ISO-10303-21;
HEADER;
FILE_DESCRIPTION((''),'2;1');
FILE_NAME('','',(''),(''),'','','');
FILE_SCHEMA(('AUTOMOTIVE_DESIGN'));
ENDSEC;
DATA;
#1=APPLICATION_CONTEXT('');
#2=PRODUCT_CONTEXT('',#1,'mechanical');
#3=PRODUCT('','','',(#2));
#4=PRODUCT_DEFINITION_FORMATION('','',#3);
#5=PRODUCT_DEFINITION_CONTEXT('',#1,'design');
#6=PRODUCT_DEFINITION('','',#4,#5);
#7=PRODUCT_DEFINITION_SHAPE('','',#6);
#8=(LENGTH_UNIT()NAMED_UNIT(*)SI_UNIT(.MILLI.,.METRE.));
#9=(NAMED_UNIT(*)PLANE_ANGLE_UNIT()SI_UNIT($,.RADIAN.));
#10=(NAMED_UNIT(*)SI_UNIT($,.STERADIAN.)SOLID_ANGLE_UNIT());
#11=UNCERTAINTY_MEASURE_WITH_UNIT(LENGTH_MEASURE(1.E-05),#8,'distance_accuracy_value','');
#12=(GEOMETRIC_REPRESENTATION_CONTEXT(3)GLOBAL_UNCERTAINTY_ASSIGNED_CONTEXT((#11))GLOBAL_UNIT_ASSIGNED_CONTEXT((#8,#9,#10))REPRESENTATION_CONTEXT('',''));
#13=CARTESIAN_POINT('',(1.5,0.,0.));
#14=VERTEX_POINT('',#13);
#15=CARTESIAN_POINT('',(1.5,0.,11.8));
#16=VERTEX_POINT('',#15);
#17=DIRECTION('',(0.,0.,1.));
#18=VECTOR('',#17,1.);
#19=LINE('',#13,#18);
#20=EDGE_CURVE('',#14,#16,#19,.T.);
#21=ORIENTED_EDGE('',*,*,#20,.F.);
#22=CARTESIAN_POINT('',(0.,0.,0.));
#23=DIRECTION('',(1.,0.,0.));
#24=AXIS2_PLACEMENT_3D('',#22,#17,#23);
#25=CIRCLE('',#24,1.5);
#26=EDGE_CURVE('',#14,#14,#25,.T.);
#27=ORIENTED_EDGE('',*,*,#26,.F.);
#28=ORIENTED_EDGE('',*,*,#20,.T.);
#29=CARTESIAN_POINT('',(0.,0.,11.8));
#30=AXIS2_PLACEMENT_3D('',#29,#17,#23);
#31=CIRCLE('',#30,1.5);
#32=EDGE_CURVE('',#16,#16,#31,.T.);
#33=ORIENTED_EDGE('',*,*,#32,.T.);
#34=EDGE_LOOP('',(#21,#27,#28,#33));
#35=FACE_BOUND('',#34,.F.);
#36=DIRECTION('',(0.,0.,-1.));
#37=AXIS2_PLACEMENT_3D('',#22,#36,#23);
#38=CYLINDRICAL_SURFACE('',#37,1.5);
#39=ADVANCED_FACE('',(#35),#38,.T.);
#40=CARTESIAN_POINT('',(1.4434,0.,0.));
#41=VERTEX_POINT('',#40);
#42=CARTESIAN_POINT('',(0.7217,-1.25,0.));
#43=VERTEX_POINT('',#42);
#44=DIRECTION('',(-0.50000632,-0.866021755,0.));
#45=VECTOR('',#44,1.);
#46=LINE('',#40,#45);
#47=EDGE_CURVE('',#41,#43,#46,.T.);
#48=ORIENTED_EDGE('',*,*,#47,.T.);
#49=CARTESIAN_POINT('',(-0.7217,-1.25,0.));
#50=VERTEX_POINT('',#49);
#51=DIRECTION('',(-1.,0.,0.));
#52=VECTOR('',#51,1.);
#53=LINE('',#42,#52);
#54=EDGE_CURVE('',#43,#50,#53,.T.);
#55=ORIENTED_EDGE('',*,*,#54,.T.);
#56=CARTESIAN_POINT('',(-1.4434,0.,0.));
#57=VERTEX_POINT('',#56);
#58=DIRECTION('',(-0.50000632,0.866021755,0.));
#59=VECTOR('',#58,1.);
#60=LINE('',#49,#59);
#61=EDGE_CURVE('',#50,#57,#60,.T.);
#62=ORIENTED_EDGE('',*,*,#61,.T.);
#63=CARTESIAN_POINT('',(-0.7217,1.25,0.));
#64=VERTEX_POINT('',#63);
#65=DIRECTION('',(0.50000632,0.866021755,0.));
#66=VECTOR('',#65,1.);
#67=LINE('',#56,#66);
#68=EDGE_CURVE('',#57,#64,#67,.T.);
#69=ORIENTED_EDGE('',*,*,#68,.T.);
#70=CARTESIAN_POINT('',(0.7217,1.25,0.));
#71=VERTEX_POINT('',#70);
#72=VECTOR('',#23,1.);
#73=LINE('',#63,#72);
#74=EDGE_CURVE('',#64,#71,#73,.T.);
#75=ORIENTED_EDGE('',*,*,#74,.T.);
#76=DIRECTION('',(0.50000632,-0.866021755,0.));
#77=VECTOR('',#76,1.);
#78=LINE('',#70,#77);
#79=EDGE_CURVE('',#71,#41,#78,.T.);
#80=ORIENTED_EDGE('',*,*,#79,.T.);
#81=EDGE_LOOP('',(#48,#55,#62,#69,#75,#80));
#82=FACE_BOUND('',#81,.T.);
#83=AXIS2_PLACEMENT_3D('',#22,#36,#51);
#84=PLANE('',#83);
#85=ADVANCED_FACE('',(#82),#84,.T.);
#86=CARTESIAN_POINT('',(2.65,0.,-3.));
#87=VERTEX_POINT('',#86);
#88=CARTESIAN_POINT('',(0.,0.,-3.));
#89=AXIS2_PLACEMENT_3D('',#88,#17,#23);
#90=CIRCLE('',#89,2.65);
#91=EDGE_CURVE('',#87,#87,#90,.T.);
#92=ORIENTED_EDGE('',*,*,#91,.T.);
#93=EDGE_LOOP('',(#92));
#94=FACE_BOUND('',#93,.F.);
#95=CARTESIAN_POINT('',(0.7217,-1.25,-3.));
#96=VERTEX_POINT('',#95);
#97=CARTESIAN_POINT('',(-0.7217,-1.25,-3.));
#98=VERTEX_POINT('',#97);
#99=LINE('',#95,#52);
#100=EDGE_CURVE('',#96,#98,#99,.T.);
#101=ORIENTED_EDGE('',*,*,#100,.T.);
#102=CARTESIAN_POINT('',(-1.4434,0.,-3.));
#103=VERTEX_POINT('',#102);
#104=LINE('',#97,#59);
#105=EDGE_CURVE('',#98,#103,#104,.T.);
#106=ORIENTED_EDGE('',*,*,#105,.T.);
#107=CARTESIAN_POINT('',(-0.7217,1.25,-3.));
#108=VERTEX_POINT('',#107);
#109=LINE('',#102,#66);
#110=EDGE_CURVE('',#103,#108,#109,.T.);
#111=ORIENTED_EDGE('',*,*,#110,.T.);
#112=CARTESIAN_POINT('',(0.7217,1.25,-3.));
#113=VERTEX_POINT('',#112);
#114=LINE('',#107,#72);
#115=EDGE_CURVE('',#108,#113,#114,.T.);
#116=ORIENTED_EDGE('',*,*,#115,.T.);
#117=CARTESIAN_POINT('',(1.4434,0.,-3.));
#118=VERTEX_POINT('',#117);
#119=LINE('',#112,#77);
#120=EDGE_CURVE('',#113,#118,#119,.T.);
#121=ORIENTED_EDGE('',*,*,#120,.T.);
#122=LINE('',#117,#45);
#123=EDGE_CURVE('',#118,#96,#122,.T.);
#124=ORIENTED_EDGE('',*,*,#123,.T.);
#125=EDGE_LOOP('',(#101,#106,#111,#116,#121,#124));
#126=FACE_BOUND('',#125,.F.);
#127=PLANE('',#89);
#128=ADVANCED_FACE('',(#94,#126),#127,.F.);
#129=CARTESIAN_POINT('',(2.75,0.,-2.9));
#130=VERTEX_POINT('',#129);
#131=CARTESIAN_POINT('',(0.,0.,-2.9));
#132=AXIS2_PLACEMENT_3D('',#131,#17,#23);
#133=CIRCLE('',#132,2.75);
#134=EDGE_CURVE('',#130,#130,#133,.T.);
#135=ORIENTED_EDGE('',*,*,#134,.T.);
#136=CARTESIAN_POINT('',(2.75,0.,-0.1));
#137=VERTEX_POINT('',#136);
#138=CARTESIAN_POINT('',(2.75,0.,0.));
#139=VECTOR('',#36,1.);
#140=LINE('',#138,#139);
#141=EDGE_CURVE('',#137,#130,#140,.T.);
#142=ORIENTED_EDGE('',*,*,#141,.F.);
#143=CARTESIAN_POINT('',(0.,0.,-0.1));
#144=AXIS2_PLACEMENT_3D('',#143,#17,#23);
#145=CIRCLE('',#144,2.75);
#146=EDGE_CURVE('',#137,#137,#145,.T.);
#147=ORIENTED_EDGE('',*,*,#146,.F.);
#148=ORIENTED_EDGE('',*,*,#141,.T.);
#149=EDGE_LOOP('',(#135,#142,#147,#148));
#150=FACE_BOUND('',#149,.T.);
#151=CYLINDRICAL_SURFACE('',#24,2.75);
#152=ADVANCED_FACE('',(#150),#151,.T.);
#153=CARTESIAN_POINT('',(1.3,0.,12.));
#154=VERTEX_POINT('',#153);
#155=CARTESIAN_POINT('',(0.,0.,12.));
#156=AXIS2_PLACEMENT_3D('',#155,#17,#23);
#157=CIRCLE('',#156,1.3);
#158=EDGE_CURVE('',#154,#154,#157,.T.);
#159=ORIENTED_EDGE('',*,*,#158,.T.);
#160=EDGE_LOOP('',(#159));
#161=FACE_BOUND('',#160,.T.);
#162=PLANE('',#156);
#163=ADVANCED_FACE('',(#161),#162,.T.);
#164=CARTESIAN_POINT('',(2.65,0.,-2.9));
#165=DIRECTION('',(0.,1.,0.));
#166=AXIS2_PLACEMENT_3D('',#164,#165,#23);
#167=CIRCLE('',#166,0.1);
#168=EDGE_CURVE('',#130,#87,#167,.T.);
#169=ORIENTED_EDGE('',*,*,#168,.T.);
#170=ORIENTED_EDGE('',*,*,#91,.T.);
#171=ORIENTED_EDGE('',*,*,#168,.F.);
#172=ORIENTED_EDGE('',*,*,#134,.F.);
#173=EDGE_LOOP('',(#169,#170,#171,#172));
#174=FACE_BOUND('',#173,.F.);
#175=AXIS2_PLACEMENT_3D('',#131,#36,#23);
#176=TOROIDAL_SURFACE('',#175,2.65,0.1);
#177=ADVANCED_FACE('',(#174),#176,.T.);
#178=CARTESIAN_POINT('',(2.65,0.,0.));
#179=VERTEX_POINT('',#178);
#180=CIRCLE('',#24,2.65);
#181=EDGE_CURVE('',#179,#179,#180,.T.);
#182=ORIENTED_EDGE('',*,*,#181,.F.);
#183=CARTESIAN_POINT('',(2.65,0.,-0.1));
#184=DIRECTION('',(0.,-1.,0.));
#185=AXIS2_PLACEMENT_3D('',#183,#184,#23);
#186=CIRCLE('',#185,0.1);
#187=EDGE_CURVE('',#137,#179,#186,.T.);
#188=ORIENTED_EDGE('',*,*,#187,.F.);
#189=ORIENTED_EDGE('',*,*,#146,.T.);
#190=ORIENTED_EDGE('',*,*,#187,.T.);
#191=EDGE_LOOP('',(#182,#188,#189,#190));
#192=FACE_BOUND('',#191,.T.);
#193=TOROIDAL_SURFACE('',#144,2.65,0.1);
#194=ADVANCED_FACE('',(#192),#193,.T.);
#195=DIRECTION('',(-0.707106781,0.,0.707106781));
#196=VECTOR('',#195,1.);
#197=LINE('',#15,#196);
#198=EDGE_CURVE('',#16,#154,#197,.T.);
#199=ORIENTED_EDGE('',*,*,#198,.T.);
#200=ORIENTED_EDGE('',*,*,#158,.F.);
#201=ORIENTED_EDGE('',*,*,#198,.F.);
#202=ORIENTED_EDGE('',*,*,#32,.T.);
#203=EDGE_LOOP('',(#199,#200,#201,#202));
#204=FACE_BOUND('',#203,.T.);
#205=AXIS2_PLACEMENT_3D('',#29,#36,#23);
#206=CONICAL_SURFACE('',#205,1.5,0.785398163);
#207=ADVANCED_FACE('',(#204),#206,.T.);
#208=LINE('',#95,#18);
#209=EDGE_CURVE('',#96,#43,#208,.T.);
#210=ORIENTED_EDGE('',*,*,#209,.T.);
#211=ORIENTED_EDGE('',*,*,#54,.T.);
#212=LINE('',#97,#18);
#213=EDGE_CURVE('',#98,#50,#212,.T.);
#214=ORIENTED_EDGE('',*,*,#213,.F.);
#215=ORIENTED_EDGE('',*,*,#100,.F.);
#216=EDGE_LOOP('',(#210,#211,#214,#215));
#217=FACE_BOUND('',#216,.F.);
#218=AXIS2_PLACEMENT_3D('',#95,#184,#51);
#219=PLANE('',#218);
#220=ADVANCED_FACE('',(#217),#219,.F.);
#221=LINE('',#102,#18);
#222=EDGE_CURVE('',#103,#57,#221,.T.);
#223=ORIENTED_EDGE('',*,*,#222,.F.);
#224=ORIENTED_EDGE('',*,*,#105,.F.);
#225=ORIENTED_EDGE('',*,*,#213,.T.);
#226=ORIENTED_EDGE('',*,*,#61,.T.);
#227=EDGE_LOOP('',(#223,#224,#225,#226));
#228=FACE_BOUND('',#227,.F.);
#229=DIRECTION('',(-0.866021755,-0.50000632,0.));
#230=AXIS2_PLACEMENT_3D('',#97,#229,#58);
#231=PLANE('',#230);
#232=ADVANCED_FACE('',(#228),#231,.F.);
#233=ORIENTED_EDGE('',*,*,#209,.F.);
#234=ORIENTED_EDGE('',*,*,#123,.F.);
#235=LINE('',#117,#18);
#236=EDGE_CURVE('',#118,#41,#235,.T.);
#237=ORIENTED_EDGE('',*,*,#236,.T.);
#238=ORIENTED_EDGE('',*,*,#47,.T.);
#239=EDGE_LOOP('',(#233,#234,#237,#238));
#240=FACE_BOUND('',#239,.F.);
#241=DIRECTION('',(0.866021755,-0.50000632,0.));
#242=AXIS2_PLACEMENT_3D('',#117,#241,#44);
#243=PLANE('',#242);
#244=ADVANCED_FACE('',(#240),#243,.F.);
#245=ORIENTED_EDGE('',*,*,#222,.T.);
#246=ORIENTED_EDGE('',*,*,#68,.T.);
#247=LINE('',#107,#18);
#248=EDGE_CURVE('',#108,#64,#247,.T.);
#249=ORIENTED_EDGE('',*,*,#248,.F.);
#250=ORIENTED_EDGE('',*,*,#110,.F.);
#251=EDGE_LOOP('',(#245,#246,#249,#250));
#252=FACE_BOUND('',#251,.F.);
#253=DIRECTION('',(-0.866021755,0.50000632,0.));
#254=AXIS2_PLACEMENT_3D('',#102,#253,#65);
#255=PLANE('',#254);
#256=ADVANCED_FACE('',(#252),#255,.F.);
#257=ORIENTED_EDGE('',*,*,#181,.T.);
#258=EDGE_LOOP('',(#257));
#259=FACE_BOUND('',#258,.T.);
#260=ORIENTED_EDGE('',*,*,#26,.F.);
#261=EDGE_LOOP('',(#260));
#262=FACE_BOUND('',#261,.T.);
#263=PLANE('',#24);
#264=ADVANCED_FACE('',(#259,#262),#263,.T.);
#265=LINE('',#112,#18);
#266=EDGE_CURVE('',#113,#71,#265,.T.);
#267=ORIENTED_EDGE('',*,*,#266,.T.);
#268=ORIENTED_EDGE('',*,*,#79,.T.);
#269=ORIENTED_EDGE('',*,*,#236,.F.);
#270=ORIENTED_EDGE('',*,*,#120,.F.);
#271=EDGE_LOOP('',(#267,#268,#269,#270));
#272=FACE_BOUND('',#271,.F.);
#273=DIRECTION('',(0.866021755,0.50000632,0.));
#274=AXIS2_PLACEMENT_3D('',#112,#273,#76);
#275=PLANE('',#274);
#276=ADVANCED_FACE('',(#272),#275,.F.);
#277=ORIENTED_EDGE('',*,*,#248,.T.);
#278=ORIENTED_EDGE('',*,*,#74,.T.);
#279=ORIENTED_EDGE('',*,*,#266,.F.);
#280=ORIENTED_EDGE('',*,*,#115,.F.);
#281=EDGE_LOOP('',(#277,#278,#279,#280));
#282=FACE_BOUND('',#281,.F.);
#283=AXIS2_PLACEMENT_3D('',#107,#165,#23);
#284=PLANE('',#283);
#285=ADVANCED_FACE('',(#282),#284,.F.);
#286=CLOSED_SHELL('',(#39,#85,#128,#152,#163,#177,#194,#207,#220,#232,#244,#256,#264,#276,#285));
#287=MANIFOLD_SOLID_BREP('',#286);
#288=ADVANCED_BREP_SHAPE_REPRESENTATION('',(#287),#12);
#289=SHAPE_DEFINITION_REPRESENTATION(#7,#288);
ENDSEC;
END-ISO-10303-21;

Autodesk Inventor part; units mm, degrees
ref_plane "YZ Plane" through (0, 0, 0) normal (1, 0, 0) x (0, 1, 0)
ref_plane "XZ Plane" through (0, 0, 0) normal (0, 1, 0) x (-1, 0, 0)
ref_plane "XY Plane" through (0, 0, 0) normal (0, 0, 1) x (1, 0, 0)
sketch "Sketch1" plane through (0, 0, 0) normal (0, 0, 1) x (1, 0, 0)
  circle A0 centre (0, 0) radius 2.75
extrude "Extrusion3" add sketch "Sketch1" against normal blind 3
sketch "Sketch2" plane through (0, 0, 0) normal (0, 0, 1) x (1, 0, 0)
  circle A0 centre (0, 0) radius 1.5
extrude "Extrusion2" add sketch "Sketch2" along normal blind 12
sketch "Sketch3" plane through (0, 0, -3) normal (0, 0, -1) x (-1, 0, 0)
  line L0 (-0.7217, 1.25) -> (-1.4434, 0)
  line L1 (0.7217, -1.25) -> (1.4434, 0)
  line L2 (1.4434, 0) -> (0.7217, 1.25)
  line L3 (-1.4434, 0) -> (-0.7217, -1.25)
  line L4 (0.7217, 1.25) -> (-0.7217, 1.25)
  line L5 (-0.7217, -1.25) -> (0.7217, -1.25)
extrude "Extrusion1" cut sketch "Sketch3" against normal blind 3
fillet "Fillet2" radius 0.1 1 edges at (-2.75, 0, -3)
fillet "Fillet1" radius 0.1 1 edges at (-2.75, 0, 0)
chamfer "Chamfer1" distance 0.2 angle 45 1 edges at (-1.5, 0, 12)
properties part number "DIN 912 M3 12 mm"
